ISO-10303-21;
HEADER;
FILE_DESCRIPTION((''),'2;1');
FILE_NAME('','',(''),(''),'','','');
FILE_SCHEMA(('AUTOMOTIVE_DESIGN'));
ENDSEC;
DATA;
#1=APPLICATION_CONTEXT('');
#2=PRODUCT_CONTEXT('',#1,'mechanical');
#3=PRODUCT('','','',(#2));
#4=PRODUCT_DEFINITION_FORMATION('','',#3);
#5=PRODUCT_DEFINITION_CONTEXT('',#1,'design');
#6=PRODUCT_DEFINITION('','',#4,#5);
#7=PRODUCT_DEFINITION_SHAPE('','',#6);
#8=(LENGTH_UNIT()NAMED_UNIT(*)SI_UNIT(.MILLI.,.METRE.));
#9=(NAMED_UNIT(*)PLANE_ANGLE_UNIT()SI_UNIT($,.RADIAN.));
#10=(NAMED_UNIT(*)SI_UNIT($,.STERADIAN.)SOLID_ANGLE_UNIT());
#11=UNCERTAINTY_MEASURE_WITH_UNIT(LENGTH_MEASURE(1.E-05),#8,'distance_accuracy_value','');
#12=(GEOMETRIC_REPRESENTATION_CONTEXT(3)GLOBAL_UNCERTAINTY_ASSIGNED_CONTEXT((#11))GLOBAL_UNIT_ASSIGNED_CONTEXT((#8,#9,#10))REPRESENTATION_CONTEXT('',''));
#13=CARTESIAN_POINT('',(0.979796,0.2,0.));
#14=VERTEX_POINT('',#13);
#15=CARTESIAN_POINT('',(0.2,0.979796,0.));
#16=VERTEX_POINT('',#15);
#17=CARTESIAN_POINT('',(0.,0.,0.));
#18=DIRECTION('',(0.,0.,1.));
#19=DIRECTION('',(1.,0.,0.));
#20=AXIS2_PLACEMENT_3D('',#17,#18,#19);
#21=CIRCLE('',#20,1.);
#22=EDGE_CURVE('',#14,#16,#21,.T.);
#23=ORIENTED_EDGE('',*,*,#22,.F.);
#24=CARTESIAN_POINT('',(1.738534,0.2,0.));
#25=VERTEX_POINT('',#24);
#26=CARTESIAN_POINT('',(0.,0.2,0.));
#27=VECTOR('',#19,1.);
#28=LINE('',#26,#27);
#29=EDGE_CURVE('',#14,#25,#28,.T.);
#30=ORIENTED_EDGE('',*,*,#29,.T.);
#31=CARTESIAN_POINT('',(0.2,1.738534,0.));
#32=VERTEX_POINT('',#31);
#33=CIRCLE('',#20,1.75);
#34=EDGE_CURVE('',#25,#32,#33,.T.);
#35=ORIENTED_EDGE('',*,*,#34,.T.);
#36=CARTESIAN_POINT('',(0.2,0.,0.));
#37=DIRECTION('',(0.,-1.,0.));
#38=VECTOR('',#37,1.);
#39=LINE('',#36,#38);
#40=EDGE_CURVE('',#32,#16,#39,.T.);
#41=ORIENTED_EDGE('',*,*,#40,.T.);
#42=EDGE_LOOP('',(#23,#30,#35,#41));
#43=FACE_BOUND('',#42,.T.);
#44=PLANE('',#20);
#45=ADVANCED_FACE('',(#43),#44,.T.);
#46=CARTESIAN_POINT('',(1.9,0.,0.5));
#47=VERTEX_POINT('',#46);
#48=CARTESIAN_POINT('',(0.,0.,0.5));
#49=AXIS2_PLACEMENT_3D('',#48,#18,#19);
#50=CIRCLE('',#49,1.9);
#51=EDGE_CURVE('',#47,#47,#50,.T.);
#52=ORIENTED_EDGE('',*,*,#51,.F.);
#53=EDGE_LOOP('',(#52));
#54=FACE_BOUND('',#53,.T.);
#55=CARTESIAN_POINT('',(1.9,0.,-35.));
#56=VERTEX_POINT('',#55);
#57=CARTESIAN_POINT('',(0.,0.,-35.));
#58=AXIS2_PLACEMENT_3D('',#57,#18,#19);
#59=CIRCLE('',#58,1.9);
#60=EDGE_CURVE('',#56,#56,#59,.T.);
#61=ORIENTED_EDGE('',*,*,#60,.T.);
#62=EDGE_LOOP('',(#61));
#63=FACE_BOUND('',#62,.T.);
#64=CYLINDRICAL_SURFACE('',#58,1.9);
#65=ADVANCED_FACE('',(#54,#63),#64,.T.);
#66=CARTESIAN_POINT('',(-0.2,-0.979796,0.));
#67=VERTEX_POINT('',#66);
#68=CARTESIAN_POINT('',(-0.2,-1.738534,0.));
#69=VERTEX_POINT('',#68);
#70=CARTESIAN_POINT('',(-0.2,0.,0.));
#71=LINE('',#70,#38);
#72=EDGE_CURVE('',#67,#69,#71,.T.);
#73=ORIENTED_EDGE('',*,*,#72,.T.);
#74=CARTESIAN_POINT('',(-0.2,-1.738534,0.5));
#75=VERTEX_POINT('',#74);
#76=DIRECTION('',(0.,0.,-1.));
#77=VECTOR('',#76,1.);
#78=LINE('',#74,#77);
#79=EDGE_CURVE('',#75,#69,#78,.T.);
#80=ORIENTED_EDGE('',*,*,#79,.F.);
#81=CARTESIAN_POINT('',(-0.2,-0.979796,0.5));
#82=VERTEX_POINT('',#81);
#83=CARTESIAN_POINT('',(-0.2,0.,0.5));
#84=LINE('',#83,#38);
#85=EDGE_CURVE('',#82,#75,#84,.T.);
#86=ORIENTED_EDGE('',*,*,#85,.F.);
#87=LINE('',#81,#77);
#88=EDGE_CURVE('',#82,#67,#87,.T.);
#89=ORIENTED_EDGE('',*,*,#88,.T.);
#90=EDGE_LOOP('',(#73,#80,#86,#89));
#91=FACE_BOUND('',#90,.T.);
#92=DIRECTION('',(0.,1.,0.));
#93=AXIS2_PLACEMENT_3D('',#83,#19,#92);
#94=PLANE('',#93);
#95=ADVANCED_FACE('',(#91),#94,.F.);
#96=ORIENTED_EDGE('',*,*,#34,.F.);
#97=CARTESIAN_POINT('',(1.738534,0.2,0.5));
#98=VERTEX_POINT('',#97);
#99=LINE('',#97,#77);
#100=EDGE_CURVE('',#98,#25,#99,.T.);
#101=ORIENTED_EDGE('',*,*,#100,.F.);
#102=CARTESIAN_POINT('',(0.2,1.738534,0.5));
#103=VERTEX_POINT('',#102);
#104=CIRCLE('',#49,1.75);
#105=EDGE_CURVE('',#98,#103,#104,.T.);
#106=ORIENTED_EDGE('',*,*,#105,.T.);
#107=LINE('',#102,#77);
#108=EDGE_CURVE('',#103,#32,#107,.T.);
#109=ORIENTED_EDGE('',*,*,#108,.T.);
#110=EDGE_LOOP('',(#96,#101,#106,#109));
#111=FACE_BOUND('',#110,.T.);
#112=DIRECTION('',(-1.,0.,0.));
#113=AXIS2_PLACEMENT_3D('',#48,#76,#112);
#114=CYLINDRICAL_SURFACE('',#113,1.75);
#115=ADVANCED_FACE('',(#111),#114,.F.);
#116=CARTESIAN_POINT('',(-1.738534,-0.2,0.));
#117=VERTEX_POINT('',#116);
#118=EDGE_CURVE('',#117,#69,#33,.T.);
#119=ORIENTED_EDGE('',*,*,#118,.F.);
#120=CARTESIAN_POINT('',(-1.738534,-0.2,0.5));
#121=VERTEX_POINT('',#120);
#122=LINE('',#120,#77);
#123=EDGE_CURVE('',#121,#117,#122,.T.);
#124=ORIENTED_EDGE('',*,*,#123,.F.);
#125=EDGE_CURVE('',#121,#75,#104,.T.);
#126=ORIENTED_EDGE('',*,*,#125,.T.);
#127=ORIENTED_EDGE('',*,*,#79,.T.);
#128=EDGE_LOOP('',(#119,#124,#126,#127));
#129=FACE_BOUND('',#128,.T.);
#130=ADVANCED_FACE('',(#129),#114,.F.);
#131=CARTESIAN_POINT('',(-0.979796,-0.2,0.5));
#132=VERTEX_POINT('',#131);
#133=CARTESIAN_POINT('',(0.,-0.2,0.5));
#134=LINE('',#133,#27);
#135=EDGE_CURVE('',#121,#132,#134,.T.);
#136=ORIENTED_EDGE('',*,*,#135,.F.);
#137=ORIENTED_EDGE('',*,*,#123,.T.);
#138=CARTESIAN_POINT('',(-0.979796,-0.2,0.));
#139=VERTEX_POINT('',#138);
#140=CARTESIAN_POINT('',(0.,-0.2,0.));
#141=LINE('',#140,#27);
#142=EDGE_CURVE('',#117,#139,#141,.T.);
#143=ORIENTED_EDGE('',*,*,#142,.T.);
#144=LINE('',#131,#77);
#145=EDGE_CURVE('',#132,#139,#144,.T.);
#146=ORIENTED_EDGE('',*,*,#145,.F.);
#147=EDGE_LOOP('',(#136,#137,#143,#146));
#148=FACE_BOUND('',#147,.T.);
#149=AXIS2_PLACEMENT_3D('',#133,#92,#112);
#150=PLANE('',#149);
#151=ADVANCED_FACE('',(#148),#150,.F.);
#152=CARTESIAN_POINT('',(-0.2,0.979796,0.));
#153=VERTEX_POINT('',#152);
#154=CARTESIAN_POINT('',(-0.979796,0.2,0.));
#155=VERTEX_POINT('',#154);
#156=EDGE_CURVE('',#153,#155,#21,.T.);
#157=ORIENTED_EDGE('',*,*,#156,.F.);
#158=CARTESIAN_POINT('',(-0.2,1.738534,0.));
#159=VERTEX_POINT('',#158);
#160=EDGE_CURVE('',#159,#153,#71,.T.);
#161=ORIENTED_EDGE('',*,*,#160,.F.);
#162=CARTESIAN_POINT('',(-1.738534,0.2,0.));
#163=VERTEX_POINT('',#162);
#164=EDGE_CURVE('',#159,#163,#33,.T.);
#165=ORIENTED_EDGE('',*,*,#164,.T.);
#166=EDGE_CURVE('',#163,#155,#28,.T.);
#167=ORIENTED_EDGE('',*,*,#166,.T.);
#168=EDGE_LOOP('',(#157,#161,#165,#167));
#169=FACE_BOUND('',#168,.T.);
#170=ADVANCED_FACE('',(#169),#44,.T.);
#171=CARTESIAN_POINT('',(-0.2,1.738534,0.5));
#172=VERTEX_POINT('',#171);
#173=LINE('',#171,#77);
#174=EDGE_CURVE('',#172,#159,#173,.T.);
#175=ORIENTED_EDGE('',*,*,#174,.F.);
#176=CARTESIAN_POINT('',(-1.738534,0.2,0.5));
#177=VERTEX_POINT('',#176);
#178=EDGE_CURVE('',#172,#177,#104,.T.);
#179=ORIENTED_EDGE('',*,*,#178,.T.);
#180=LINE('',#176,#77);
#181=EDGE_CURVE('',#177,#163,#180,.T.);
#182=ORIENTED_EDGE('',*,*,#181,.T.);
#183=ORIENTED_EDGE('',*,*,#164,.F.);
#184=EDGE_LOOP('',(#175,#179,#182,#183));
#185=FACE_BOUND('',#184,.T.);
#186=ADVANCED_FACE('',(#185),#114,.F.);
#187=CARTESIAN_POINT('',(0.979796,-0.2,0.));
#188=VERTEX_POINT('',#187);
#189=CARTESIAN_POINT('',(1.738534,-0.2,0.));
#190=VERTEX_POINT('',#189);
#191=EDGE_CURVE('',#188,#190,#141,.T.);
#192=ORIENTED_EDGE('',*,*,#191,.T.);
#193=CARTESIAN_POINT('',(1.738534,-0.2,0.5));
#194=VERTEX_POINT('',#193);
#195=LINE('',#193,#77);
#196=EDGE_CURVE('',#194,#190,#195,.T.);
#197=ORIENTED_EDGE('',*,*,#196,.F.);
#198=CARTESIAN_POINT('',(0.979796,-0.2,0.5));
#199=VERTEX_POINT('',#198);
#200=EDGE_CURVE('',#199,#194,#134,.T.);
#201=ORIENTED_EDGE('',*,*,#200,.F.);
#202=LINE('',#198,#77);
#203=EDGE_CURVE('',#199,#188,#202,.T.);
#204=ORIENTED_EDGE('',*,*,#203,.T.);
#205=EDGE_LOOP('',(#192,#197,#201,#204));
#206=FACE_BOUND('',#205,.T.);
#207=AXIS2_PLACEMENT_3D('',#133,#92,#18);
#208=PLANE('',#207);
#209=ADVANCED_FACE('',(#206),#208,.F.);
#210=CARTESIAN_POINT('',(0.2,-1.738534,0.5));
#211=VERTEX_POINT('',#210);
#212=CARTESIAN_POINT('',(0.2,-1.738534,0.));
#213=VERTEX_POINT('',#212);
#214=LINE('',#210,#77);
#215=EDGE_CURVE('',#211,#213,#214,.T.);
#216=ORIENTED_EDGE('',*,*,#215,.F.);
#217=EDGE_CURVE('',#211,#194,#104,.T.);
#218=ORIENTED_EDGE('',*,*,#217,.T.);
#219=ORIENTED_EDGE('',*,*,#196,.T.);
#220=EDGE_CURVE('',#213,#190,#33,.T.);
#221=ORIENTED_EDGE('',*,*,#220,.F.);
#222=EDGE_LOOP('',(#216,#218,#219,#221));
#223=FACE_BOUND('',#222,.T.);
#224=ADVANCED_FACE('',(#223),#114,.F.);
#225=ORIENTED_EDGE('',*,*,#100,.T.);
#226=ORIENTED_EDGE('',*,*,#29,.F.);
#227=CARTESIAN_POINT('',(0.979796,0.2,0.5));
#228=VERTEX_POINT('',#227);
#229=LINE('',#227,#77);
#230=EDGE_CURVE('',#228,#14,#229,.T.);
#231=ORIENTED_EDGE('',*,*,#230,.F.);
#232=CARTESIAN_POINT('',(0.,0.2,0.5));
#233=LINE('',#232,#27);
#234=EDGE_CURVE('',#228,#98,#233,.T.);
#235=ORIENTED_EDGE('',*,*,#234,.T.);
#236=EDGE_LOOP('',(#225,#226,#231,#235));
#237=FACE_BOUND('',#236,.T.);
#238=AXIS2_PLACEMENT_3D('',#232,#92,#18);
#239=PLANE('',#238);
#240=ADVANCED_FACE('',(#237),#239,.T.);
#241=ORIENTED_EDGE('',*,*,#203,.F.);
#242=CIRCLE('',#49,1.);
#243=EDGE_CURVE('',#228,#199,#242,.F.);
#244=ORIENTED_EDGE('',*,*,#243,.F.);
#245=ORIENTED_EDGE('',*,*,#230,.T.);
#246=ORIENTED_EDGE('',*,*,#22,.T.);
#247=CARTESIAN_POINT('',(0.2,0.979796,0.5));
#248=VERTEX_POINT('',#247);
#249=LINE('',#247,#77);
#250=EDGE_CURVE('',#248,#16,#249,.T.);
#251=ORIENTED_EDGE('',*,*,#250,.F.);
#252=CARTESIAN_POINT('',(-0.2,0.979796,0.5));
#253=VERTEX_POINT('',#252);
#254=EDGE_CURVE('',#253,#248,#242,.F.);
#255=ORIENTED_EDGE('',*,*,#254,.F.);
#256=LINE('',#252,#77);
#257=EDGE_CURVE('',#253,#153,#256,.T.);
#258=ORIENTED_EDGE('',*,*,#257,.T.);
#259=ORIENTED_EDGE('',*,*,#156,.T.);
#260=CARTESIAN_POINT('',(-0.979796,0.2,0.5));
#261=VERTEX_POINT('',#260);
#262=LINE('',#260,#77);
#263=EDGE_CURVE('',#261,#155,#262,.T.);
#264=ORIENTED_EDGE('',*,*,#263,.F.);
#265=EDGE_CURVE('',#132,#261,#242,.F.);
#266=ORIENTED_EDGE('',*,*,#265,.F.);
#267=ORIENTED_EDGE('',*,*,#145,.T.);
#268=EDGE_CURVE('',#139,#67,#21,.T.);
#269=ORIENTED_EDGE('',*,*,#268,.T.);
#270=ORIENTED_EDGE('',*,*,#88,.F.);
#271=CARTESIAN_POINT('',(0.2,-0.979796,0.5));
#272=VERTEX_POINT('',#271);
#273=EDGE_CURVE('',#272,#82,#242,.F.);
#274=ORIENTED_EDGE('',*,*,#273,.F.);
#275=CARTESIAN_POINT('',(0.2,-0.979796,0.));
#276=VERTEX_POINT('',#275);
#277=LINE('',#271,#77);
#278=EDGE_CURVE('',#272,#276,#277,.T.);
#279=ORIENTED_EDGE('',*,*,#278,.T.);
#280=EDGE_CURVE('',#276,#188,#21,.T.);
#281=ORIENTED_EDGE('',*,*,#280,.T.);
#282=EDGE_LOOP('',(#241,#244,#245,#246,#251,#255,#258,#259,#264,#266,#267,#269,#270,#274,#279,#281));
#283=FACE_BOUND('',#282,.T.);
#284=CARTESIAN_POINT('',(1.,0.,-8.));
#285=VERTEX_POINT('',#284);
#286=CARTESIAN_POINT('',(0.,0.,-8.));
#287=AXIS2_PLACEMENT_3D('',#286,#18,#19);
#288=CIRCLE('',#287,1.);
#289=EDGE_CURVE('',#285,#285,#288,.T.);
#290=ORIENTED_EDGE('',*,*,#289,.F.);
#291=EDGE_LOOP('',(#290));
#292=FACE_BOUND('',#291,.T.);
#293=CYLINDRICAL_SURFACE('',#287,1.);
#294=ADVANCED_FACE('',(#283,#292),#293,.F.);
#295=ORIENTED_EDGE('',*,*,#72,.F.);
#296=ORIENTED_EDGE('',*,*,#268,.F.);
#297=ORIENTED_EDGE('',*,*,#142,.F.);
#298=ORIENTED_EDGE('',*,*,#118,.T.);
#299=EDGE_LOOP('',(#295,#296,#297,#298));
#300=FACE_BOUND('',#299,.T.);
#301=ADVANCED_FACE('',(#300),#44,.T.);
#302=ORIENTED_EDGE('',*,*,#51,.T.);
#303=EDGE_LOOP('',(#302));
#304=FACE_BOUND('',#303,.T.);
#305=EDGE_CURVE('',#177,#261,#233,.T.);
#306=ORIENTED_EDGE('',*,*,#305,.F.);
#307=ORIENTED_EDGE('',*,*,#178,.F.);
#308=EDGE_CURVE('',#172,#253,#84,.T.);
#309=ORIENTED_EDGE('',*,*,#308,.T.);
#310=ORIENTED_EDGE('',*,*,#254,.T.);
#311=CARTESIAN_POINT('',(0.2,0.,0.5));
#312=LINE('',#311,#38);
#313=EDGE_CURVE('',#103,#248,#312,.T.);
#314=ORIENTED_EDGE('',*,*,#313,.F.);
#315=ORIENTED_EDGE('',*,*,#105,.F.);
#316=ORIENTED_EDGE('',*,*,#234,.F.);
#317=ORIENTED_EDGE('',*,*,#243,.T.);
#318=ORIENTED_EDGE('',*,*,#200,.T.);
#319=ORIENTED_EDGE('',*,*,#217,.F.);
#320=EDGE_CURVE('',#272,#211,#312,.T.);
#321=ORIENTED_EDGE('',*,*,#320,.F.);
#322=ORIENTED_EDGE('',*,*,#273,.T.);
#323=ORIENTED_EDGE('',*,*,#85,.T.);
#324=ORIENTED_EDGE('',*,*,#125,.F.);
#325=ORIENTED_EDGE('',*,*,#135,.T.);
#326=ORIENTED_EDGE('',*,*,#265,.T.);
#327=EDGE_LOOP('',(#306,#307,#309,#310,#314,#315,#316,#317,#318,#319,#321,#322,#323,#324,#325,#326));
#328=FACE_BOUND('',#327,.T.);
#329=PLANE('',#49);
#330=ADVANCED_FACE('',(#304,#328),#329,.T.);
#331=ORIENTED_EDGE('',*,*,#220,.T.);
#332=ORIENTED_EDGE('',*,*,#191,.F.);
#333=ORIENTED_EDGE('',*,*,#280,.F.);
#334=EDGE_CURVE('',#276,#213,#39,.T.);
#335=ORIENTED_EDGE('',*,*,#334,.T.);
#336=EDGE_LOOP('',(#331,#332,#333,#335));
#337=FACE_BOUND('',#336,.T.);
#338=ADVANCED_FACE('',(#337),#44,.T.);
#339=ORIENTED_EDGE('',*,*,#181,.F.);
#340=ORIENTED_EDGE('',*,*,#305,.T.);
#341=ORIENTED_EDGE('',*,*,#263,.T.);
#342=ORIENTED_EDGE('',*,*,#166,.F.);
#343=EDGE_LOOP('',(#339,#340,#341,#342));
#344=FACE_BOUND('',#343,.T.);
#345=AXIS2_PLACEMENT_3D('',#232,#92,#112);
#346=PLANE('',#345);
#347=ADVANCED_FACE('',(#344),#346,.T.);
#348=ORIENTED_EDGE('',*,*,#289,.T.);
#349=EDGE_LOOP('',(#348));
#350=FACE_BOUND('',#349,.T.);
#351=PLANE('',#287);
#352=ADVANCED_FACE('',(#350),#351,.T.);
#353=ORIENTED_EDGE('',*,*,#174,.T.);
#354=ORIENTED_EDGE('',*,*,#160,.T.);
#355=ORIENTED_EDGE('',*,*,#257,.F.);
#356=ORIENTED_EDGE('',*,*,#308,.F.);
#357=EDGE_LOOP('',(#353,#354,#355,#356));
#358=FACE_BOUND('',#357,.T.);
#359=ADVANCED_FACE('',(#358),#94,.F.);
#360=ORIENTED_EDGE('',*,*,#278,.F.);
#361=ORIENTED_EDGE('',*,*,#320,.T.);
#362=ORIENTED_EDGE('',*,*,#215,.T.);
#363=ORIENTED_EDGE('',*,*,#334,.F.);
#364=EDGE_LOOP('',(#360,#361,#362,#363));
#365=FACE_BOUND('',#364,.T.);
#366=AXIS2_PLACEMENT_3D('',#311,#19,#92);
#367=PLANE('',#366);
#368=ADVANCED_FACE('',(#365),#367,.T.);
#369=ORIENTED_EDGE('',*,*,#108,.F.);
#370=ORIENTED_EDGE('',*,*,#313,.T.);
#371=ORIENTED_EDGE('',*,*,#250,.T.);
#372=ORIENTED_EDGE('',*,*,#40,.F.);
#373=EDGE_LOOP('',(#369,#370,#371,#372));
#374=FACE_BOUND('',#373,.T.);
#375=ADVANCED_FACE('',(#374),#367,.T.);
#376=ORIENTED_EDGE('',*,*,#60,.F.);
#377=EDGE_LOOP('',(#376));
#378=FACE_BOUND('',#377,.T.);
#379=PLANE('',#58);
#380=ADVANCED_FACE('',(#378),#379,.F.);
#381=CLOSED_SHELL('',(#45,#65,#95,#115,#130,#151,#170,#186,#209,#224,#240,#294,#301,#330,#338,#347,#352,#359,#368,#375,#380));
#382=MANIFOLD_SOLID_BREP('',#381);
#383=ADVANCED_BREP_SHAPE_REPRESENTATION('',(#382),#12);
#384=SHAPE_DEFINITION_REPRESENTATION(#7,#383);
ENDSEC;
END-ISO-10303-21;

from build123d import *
from build123d.topology import SkipClean

# Parameters (mm, degrees)
SKETCH_1_R          = 1.9
EXTRUDE_1_DEPTH     = 35
SKETCH_3_R          = 1
CUT_EXTRUDE_1_DEPTH = 8
EXTRUDE_START       = 0.5
EXTRUDE_3_DEPTH     = 0.5


with BuildPart() as part:
    # 草图1 → 凸台-拉伸1 (new body)
    with BuildSketch(Plane.XY):
        Circle(SKETCH_1_R)
    extrude(amount=-EXTRUDE_1_DEPTH)

    # 草图3 → 切除-拉伸1 (cut)
    with BuildSketch(Plane.XY):
        Circle(SKETCH_3_R)
    extrude(amount=-CUT_EXTRUDE_1_DEPTH, mode=Mode.SUBTRACT)

    # 草图4 → 凸台-拉伸3 (add)
    with SkipClean():  # the faces are left unmerged after this step: merging them gives an invalid solid
        with BuildSketch(Plane.XY.offset(EXTRUDE_START)):
            with BuildLine():
                Line((-1.738533865, 0.2), (-1.889444363, 0.2))
                ThreePointArc((-1.889444363, 0.2), (-1.9, 0), (-1.889444363, -0.2))
                Line((-1.889444363, -0.2), (-1.738533865, -0.2))
                ThreePointArc((-1.738533865, -0.2), (-1.75, 0), (-1.738533865, 0.2))
            make_face()
            with BuildLine():
                ThreePointArc((1.9, 0), (1.897359256, 0.10013918), (1.889444363, 0.2))
                Line((1.889444363, 0.2), (1.738533865, 0.2))
                ThreePointArc((1.738533865, 0.2), (1.747131115, 0.100164205), (1.75, 0))
                ThreePointArc((1.75, 0), (1.747131115, -0.100164205), (1.738533865, -0.2))
                Line((1.738533865, -0.2), (1.889444363, -0.2))
                ThreePointArc((1.889444363, -0.2), (1.897359256, -0.10013918), (1.9, 0))
            make_face()
            with BuildLine():
                Line((0.2, -1.738533865), (0.2, -1.889444363))
                ThreePointArc((0.2, -1.889444363), (1.343502884, -1.343502884), (1.889444363, -0.2))
                Line((1.889444363, -0.2), (1.738533865, -0.2))
                ThreePointArc((1.738533865, -0.2), (1.237436867, -1.237436867), (0.2, -1.738533865))
            make_face()
            with BuildLine():
                Line((-0.2, -1.738533865), (-0.2, -1.889444363))
                ThreePointArc((-0.2, -1.889444363), (0, -1.9), (0.2, -1.889444363))
                Line((0.2, -1.889444363), (0.2, -1.738533865))
                ThreePointArc((0.2, -1.738533865), (0, -1.75), (-0.2, -1.738533865))
            make_face()
            with BuildLine():
                Line((-1.738533865, -0.2), (-1.889444363, -0.2))
                ThreePointArc((-1.889444363, -0.2), (-1.343502884, -1.343502884), (-0.2, -1.889444363))
                Line((-0.2, -1.889444363), (-0.2, -1.738533865))
                ThreePointArc((-0.2, -1.738533865), (-1.237436867, -1.237436867), (-1.738533865, -0.2))
            make_face()
            with BuildLine():
                ThreePointArc((-0.2, 1.889444363), (-1.343502884, 1.343502884), (-1.889444363, 0.2))
                Line((-1.889444363, 0.2), (-1.738533865, 0.2))
                ThreePointArc((-1.738533865, 0.2), (-1.237436867, 1.237436867), (-0.2, 1.738533865))
                Line((-0.2, 1.738533865), (-0.2, 1.889444363))
            make_face()
            with BuildLine():
                ThreePointArc((1.889444363, 0.2), (1.343502884, 1.343502884), (0.2, 1.889444363))
                Line((0.2, 1.889444363), (0.2, 1.738533865))
                ThreePointArc((0.2, 1.738533865), (1.237436867, 1.237436867), (1.738533865, 0.2))
                Line((1.738533865, 0.2), (1.889444363, 0.2))
            make_face()
            with BuildLine():
                ThreePointArc((0.2, 1.889444363), (0, 1.9), (-0.2, 1.889444363))
                Line((-0.2, 1.889444363), (-0.2, 1.738533865))
                ThreePointArc((-0.2, 1.738533865), (0, 1.75), (0.2, 1.738533865))
                Line((0.2, 1.738533865), (0.2, 1.889444363))
            make_face()
            with BuildLine():
                Line((-0.979795897, 0.2), (-1.738533865, 0.2))
                ThreePointArc((-1.738533865, 0.2), (-1.75, 0), (-1.738533865, -0.2))
                Line((-1.738533865, -0.2), (-0.979795897, -0.2))
                ThreePointArc((-0.979795897, -0.2), (-1, 0), (-0.979795897, 0.2))
            make_face()
            with BuildLine():
                ThreePointArc((1.75, 0), (1.747131115, 0.100164205), (1.738533865, 0.2))
                Line((1.738533865, 0.2), (0.979795897, 0.2))
                ThreePointArc((0.979795897, 0.2), (0.994936153, 0.100508962), (1, 0))
                ThreePointArc((1, 0), (0.994936153, -0.100508962), (0.979795897, -0.2))
                Line((0.979795897, -0.2), (1.738533865, -0.2))
                ThreePointArc((1.738533865, -0.2), (1.747131115, -0.100164205), (1.75, 0))
            make_face()
            with BuildLine():
                ThreePointArc((0.2, 1.738533865), (0, 1.75), (-0.2, 1.738533865))
                Line((-0.2, 1.738533865), (-0.2, 0.979795897))
                ThreePointArc((-0.2, 0.979795897), (0, 1), (0.2, 0.979795897))
                Line((0.2, 0.979795897), (0.2, 1.738533865))
            make_face()
            with BuildLine():
                Line((-0.2, -0.979795897), (-0.2, -1.738533865))
                ThreePointArc((-0.2, -1.738533865), (0, -1.75), (0.2, -1.738533865))
                Line((0.2, -1.738533865), (0.2, -0.979795897))
                ThreePointArc((0.2, -0.979795897), (0, -1), (-0.2, -0.979795897))
            make_face()
        extrude(amount=-EXTRUDE_3_DEPTH)


solid = part.part
